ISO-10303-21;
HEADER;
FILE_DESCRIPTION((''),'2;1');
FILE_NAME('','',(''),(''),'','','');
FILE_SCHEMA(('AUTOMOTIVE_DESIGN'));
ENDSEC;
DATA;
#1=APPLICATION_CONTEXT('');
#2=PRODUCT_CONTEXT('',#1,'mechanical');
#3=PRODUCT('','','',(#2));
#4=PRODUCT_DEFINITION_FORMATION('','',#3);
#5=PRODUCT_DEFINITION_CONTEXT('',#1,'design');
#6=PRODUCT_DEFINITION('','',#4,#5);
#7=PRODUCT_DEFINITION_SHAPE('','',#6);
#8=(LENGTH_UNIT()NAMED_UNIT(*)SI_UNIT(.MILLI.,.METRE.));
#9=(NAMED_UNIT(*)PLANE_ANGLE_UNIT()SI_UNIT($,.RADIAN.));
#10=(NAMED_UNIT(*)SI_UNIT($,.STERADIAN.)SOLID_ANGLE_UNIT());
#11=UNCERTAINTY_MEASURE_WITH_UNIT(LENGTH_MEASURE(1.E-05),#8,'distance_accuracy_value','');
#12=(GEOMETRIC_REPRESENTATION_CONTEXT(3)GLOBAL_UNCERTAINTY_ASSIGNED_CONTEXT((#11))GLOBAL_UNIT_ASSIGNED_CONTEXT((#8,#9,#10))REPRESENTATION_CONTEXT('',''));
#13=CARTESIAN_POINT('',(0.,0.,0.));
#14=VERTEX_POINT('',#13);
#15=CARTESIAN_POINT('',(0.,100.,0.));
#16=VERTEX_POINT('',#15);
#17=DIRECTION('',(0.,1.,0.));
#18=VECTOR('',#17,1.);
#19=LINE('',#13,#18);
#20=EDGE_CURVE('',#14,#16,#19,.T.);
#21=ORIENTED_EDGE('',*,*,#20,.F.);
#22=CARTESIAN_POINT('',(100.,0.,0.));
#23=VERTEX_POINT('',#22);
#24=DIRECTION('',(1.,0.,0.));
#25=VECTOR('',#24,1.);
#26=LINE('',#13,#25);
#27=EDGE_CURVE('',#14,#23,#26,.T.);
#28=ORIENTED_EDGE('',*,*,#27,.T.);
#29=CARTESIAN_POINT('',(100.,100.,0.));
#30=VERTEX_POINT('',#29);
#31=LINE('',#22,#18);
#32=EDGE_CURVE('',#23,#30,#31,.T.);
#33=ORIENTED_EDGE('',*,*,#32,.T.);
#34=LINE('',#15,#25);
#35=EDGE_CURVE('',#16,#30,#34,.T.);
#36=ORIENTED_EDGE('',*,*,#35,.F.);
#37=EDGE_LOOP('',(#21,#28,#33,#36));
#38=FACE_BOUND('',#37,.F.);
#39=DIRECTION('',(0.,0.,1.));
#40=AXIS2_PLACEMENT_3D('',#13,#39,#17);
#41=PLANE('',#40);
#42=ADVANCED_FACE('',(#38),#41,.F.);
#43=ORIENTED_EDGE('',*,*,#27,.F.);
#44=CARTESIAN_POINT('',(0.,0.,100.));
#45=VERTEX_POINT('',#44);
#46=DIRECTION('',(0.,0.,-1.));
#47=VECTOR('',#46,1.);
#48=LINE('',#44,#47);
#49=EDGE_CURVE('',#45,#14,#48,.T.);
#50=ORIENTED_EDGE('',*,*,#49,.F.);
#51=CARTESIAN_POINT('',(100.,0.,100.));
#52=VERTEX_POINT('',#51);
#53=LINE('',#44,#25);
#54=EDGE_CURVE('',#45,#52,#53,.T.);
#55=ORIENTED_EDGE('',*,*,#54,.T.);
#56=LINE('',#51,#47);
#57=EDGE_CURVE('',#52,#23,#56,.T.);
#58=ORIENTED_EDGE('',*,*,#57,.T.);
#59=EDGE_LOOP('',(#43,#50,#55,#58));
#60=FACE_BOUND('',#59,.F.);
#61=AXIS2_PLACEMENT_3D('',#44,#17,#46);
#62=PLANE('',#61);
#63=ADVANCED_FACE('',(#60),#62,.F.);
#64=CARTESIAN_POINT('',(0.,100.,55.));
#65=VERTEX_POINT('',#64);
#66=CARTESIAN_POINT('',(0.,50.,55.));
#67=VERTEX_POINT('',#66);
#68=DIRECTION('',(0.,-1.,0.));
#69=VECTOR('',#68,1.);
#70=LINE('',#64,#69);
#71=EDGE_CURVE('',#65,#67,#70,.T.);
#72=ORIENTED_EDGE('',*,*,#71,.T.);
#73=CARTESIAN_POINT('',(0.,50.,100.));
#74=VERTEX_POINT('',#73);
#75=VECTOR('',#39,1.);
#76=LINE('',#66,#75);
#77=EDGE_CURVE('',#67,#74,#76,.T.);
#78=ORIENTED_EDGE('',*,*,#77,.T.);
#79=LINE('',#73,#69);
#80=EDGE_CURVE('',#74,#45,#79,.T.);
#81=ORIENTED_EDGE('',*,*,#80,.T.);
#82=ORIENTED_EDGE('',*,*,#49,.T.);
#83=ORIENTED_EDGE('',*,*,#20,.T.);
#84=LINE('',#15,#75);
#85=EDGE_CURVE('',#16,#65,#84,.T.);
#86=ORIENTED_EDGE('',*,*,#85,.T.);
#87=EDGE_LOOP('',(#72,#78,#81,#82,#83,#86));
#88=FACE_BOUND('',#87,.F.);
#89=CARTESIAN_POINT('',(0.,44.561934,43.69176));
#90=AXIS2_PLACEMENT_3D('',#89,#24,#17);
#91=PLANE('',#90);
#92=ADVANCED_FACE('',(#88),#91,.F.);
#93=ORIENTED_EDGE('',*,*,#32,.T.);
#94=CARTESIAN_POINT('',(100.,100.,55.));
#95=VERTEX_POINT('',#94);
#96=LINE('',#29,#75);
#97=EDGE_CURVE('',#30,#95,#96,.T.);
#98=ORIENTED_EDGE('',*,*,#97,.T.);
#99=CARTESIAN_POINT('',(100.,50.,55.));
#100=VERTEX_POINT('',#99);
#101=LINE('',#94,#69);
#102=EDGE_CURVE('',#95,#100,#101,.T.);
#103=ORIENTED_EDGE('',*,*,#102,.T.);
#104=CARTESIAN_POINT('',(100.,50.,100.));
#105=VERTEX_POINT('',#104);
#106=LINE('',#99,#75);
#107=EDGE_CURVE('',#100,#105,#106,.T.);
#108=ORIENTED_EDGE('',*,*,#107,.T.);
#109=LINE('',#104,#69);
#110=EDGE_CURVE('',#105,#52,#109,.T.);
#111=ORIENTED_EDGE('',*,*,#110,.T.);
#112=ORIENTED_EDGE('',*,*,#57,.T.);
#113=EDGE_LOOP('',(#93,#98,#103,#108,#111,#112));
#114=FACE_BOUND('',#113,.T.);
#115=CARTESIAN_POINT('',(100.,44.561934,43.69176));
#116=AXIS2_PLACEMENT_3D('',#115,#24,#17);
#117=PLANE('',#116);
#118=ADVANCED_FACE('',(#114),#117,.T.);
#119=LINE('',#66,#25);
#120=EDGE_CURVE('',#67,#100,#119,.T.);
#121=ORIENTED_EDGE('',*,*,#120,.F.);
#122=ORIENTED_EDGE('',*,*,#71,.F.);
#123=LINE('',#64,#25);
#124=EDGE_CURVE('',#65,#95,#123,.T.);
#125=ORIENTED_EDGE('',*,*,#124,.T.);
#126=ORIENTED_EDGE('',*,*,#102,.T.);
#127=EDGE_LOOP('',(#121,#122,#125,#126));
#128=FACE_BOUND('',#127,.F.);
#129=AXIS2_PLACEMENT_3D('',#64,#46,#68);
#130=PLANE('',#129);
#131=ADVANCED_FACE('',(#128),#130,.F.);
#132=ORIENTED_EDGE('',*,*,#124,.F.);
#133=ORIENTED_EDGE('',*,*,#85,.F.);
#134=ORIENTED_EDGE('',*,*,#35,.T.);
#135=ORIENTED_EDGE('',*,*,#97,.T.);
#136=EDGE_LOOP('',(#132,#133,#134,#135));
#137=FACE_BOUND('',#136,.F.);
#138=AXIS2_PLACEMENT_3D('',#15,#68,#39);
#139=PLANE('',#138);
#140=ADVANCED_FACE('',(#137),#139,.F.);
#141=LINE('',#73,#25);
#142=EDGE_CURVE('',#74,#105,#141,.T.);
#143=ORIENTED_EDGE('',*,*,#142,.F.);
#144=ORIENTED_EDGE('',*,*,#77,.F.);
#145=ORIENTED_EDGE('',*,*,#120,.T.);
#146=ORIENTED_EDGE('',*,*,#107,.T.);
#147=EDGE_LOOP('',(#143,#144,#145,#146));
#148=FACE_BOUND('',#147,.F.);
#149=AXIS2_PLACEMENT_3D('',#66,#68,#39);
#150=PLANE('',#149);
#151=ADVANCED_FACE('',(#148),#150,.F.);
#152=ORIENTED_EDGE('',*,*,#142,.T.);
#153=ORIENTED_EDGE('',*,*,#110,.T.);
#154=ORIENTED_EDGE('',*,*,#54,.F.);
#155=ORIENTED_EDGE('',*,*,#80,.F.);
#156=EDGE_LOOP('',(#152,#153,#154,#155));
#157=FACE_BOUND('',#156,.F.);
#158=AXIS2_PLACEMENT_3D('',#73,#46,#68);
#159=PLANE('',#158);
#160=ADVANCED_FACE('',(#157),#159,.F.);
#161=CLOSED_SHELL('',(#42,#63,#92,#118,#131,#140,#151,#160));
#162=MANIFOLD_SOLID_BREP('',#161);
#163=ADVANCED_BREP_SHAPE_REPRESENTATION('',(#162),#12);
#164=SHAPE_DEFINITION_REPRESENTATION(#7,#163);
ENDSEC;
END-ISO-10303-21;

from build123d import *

# Parameters (mm, degrees)
F1_DEPTH = 100


with BuildPart() as f1:
    # F0 (on Right) → F1 (new body)
    with BuildSketch(Plane.YZ):
        with BuildLine():
            Line((50, 100), (0, 100))
            Line((0, 100), (0, 0))
            Line((0, 0), (36.25, 0))
            ThreePointArc((36.25, 0), (50, 13.75), (63.75, 0))
            Line((63.75, 0), (100, 0))
            Line((100, 0), (100, 55))
            Line((100, 55), (50, 55))
            Line((50, 55), (50, 100))
        make_face()
        with BuildLine():
            ThreePointArc((63.75, 0), (50, 13.75), (36.25, 0))
            Line((36.25, 0), (63.75, 0))
        make_face()
    extrude(amount=F1_DEPTH)


solid = f1.part
